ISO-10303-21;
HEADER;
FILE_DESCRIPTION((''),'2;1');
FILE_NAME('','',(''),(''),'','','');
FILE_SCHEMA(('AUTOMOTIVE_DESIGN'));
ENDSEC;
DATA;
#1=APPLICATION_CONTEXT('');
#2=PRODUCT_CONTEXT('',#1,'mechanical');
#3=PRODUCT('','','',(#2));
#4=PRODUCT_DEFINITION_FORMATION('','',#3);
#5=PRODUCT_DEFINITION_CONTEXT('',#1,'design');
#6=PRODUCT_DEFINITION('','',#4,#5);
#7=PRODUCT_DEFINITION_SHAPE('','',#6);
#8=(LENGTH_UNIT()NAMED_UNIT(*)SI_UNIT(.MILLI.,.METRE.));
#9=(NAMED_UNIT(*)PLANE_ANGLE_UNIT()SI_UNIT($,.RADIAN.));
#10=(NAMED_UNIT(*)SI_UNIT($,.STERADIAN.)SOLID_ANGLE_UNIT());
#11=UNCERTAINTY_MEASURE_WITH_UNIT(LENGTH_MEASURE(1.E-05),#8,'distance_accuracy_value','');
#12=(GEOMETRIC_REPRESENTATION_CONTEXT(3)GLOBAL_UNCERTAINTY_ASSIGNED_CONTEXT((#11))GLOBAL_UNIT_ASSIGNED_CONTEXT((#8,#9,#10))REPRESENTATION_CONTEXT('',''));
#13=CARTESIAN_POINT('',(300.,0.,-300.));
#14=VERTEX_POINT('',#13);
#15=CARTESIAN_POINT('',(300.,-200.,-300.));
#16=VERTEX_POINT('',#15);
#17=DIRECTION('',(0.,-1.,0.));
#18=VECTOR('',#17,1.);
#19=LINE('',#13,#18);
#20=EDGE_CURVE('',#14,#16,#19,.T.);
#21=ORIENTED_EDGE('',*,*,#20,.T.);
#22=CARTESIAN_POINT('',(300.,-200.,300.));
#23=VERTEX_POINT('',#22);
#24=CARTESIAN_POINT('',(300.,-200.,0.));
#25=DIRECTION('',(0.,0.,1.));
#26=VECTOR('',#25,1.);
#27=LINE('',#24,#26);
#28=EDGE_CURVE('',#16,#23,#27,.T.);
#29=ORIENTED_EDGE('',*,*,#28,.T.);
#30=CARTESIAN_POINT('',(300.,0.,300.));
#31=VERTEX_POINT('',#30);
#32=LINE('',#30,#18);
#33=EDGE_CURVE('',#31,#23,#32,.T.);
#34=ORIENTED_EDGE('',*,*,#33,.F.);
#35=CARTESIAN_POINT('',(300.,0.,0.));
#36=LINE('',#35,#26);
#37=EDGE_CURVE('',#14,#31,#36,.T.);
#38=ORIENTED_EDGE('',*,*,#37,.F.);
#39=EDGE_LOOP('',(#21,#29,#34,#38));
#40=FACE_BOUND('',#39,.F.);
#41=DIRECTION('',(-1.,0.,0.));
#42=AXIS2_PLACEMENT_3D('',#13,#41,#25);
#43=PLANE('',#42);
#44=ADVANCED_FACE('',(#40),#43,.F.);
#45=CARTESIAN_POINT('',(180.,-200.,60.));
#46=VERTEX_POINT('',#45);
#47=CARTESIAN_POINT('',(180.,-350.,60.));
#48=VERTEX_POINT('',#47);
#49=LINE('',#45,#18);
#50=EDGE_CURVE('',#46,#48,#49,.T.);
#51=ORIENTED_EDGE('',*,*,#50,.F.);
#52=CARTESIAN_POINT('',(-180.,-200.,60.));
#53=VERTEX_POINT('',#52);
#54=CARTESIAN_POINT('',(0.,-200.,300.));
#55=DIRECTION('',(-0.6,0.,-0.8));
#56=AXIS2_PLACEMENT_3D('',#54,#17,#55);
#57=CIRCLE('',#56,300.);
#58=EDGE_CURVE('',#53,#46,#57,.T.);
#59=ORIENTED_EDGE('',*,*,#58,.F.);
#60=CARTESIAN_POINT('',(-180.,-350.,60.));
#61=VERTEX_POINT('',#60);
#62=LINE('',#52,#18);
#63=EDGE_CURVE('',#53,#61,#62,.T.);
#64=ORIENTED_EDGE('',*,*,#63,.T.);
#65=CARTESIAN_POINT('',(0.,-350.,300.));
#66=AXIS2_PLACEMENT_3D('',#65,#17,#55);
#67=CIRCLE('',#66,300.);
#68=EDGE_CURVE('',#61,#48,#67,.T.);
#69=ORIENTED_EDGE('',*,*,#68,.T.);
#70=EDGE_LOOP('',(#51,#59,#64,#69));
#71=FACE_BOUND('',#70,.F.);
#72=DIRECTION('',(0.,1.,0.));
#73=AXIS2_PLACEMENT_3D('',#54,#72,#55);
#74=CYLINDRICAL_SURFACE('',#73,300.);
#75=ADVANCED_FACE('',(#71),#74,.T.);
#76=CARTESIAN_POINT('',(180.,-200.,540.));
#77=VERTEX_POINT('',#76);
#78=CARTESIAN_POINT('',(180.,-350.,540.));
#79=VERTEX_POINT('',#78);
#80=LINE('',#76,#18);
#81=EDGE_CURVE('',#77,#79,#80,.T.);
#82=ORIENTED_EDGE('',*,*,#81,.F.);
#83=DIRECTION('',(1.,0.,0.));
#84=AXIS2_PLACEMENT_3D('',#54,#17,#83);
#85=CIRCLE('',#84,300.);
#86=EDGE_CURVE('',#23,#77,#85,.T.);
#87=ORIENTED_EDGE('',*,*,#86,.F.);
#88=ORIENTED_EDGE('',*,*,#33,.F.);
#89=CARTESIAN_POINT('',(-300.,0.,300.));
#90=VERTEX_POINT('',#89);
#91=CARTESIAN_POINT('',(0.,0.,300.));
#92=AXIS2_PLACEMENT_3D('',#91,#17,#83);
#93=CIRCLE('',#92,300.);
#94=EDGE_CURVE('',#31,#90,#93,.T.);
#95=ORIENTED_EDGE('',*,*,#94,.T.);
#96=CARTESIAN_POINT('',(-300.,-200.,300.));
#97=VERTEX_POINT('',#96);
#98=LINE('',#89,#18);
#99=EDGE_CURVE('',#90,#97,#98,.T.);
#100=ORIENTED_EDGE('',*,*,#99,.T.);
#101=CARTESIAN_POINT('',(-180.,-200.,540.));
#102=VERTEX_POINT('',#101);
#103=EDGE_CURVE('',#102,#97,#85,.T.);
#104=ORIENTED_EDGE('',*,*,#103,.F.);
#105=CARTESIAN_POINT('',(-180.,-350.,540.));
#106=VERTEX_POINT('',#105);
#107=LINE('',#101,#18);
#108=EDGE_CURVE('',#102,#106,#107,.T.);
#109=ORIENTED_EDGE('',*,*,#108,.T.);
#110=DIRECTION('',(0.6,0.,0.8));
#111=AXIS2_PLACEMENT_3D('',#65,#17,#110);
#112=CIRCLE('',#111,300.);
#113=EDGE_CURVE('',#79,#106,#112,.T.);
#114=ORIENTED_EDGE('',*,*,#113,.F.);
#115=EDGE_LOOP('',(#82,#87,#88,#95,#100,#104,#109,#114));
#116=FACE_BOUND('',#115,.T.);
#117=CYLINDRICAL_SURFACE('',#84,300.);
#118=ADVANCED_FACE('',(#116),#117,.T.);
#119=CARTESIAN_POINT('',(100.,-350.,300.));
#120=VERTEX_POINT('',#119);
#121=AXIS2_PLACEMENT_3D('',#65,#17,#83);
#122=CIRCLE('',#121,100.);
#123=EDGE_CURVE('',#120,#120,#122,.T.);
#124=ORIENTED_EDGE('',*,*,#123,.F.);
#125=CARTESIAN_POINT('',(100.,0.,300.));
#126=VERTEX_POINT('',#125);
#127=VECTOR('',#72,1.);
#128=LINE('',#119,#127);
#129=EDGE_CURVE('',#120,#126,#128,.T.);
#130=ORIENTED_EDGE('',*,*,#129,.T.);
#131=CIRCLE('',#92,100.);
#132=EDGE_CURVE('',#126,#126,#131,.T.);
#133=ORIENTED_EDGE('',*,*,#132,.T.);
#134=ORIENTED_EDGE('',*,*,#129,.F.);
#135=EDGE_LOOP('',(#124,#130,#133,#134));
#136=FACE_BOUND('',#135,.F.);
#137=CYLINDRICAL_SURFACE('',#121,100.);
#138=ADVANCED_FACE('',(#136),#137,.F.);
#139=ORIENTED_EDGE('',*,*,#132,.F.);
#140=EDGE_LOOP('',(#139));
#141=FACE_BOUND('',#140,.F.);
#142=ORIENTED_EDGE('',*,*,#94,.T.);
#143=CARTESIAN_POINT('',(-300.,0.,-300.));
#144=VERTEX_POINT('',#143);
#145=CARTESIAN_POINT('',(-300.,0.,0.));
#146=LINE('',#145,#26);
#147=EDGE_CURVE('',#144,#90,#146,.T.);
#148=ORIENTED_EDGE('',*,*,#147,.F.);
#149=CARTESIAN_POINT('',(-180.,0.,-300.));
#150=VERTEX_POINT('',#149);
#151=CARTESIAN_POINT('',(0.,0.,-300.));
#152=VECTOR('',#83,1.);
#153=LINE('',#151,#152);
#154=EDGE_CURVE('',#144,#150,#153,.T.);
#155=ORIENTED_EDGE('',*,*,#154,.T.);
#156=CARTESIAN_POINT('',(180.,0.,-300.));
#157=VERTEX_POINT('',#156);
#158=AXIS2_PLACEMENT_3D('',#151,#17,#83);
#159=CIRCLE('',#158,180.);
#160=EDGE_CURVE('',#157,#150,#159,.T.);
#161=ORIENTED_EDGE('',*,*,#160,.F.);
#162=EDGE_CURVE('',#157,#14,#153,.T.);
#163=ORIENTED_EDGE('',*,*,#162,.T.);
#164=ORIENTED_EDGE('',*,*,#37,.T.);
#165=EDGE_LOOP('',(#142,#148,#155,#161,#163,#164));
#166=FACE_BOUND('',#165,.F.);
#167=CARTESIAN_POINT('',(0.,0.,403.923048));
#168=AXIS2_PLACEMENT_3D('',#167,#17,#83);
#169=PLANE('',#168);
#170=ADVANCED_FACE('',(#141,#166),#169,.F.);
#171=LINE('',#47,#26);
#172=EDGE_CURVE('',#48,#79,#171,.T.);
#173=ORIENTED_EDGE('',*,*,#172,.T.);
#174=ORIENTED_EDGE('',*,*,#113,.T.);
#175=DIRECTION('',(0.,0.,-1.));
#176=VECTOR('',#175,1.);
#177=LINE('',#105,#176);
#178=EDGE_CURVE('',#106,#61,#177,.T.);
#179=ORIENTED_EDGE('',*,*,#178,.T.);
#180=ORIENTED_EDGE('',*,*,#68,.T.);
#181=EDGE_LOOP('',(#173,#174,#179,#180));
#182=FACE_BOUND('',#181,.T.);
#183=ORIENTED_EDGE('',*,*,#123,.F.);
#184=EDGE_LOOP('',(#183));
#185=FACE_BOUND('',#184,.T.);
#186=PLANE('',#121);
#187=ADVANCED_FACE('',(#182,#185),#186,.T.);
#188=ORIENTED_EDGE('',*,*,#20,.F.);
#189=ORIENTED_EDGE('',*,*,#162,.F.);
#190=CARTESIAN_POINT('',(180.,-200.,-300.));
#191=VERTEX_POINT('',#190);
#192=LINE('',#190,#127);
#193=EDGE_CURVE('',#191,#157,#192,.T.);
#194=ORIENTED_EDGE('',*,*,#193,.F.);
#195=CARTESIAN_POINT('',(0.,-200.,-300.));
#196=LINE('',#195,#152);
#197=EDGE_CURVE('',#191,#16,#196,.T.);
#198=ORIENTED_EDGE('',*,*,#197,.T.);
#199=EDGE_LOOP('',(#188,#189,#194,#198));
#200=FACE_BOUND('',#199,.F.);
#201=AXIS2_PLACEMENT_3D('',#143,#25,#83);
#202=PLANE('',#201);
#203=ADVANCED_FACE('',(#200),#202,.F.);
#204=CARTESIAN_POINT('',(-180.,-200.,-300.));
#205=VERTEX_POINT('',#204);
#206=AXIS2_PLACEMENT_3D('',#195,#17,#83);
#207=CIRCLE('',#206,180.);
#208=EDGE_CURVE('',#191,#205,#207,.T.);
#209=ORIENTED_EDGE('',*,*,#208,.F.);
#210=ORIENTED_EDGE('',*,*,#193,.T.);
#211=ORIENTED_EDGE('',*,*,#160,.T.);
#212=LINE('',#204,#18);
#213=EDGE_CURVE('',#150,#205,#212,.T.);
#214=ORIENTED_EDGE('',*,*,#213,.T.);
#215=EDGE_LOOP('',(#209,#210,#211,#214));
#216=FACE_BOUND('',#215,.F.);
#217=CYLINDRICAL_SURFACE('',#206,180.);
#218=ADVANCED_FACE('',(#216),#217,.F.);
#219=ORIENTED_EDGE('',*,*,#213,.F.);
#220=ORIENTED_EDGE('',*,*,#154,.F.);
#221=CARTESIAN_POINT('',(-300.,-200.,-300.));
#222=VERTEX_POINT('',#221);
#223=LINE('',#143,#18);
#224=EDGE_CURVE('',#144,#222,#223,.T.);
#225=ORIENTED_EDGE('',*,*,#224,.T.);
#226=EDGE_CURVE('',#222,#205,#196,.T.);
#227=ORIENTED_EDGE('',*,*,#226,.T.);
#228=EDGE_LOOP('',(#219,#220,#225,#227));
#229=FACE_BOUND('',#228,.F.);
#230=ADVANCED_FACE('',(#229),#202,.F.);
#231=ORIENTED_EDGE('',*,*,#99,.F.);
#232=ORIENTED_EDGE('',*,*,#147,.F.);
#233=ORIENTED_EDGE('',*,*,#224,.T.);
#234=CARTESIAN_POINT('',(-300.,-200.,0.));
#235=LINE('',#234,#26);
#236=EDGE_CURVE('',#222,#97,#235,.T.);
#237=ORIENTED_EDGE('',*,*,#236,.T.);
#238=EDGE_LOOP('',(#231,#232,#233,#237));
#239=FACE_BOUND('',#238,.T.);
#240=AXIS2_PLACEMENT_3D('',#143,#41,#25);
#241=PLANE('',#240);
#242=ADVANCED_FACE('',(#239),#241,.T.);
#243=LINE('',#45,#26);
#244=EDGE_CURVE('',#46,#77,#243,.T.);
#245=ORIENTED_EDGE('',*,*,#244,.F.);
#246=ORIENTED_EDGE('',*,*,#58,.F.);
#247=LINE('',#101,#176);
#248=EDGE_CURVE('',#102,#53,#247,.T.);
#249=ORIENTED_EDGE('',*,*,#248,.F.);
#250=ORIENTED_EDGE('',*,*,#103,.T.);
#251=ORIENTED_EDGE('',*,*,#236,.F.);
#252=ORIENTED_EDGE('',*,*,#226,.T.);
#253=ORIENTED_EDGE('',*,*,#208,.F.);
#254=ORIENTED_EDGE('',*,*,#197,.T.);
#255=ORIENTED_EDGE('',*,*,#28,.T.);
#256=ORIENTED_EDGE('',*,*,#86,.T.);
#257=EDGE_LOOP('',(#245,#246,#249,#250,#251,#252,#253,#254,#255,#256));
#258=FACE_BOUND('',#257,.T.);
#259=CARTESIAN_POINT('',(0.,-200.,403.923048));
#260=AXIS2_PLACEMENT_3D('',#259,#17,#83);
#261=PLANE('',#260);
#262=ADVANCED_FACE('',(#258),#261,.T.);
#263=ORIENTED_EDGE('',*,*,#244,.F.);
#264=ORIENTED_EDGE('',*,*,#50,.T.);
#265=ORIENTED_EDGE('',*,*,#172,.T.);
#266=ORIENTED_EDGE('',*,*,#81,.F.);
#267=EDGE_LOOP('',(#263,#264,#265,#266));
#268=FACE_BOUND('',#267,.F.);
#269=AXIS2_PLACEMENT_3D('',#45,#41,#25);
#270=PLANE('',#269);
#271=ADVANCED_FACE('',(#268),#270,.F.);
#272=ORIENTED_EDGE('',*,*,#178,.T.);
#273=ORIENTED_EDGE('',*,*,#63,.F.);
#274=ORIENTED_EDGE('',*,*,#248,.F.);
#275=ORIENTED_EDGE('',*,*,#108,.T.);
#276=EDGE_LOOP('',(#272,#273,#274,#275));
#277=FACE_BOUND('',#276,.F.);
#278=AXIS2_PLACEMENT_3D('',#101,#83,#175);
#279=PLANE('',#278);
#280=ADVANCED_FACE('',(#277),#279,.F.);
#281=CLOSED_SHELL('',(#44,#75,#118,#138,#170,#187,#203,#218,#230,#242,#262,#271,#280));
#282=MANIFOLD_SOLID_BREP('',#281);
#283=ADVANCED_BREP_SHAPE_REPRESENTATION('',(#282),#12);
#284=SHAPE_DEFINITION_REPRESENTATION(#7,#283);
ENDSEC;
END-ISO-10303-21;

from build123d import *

# Parameters (mm, degrees)
F0_W     = 600
F0_H     = 600
F1_DEPTH = 200
F2_R     = 180
F3_DEPTH = 200.001
F5_DEPTH = 200
F7_DEPTH = 150
F8_R     = 100
F9_DEPTH = 350.001


with BuildPart() as f1:
    # F0 (on Front) → F1 (new body)
    with BuildSketch(Plane.XZ):
        Rectangle(F0_W, F0_H)
    extrude(amount=F1_DEPTH)

    # F2 (on face) → F3 (cut, through all)
    with BuildSketch(Plane.XZ.offset(200)):
        with Locations((0, -300)):
            Circle(F2_R)
    extrude(amount=-F3_DEPTH, mode=Mode.SUBTRACT)

    # F4 (on face) → F5 (join)
    with BuildSketch(Plane.XZ.offset(200)):
        with BuildLine():
            Line((-300, 300), (300, 300))
            ThreePointArc((300, 300), (0, 600), (-300, 300))
        make_face()
    extrude(amount=-F5_DEPTH)

    # F6 (on face) → F7 (join)
    with BuildSketch(Plane.XZ.offset(200)):
        with BuildLine():
            Line((-180, 540), (-180, 60))
            ThreePointArc((-180, 60), (0, 0), (180, 60))
            Line((180, 60), (180, 540))
            ThreePointArc((180, 540), (0, 600), (-180, 540))
        make_face()
    extrude(amount=F7_DEPTH)

    # F8 (on face) → F9 (cut, through all)
    with BuildSketch(Plane.XZ.offset(350)):
        with Locations((0, 300)):
            Circle(F8_R)
    extrude(amount=-F9_DEPTH, mode=Mode.SUBTRACT)


solid = f1.part
